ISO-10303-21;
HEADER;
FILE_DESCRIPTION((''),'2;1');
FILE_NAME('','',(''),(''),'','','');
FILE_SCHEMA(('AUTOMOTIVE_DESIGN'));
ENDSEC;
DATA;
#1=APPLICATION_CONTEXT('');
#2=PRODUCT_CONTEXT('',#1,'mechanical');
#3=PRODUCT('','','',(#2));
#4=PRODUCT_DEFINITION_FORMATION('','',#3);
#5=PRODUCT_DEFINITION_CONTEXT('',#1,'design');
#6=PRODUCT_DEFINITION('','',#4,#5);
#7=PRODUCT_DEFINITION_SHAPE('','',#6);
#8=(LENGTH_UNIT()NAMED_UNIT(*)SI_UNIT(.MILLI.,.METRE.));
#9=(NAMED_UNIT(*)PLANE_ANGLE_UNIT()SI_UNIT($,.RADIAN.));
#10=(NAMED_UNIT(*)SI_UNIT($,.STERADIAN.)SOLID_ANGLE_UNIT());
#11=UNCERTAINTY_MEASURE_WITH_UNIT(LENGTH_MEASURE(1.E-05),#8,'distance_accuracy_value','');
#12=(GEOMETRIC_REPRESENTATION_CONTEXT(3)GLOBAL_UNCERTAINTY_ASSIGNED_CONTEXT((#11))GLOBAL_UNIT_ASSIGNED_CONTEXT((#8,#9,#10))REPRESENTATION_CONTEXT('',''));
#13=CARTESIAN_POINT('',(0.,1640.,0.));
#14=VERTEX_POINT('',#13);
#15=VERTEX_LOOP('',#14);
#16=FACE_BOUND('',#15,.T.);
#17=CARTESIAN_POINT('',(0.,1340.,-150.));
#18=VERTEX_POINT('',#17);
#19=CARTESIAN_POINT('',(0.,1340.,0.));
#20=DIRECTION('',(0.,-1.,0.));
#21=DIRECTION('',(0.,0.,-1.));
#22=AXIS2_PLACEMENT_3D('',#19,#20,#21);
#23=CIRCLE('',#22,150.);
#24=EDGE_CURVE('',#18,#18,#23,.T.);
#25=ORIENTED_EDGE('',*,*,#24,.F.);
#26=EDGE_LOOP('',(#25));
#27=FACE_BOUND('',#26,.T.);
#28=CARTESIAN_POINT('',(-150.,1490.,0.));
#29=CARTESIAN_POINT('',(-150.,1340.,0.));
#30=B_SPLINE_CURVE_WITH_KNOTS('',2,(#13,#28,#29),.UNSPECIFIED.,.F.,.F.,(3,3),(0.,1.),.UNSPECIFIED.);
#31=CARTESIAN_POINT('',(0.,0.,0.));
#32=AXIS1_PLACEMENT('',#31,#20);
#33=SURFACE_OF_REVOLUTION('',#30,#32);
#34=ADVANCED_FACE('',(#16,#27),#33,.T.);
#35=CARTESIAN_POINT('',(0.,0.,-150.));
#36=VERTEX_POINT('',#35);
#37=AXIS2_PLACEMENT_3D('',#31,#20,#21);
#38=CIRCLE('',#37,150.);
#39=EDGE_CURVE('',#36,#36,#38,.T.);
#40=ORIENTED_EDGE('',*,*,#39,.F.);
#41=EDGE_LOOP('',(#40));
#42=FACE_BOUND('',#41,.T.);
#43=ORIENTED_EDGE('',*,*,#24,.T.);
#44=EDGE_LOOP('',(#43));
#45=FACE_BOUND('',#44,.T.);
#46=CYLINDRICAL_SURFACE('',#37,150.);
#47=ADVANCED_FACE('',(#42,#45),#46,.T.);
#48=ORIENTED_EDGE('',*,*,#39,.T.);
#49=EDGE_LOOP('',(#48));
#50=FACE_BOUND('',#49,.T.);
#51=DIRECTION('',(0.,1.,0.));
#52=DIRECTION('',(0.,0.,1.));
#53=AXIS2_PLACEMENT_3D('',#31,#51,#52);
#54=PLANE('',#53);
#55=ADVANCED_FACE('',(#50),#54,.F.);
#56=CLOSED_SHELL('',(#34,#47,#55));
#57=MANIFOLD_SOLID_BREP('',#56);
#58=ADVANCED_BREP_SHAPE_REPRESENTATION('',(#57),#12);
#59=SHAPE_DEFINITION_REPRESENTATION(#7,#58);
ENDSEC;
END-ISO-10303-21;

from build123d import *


with BuildPart() as part:
    # Sketch1 → Revolve1 (revolve)
    with BuildSketch(Plane.XY):
        with BuildLine():
            Line((0, 0), (-150, 0))
            Line((-150, 0), (-150, 1340))
            add(Edge.make_bspline(
                [(0, 1640), (-150, 1490), (-150, 1340)],
                knots=[0, 0, 0, 1, 1, 1], degree=2))
            Line((0, 1640), (0, 0))
        make_face()
    revolve(axis=Axis((0, 0, 0), (0, 1, 0)))


solid = part.part
